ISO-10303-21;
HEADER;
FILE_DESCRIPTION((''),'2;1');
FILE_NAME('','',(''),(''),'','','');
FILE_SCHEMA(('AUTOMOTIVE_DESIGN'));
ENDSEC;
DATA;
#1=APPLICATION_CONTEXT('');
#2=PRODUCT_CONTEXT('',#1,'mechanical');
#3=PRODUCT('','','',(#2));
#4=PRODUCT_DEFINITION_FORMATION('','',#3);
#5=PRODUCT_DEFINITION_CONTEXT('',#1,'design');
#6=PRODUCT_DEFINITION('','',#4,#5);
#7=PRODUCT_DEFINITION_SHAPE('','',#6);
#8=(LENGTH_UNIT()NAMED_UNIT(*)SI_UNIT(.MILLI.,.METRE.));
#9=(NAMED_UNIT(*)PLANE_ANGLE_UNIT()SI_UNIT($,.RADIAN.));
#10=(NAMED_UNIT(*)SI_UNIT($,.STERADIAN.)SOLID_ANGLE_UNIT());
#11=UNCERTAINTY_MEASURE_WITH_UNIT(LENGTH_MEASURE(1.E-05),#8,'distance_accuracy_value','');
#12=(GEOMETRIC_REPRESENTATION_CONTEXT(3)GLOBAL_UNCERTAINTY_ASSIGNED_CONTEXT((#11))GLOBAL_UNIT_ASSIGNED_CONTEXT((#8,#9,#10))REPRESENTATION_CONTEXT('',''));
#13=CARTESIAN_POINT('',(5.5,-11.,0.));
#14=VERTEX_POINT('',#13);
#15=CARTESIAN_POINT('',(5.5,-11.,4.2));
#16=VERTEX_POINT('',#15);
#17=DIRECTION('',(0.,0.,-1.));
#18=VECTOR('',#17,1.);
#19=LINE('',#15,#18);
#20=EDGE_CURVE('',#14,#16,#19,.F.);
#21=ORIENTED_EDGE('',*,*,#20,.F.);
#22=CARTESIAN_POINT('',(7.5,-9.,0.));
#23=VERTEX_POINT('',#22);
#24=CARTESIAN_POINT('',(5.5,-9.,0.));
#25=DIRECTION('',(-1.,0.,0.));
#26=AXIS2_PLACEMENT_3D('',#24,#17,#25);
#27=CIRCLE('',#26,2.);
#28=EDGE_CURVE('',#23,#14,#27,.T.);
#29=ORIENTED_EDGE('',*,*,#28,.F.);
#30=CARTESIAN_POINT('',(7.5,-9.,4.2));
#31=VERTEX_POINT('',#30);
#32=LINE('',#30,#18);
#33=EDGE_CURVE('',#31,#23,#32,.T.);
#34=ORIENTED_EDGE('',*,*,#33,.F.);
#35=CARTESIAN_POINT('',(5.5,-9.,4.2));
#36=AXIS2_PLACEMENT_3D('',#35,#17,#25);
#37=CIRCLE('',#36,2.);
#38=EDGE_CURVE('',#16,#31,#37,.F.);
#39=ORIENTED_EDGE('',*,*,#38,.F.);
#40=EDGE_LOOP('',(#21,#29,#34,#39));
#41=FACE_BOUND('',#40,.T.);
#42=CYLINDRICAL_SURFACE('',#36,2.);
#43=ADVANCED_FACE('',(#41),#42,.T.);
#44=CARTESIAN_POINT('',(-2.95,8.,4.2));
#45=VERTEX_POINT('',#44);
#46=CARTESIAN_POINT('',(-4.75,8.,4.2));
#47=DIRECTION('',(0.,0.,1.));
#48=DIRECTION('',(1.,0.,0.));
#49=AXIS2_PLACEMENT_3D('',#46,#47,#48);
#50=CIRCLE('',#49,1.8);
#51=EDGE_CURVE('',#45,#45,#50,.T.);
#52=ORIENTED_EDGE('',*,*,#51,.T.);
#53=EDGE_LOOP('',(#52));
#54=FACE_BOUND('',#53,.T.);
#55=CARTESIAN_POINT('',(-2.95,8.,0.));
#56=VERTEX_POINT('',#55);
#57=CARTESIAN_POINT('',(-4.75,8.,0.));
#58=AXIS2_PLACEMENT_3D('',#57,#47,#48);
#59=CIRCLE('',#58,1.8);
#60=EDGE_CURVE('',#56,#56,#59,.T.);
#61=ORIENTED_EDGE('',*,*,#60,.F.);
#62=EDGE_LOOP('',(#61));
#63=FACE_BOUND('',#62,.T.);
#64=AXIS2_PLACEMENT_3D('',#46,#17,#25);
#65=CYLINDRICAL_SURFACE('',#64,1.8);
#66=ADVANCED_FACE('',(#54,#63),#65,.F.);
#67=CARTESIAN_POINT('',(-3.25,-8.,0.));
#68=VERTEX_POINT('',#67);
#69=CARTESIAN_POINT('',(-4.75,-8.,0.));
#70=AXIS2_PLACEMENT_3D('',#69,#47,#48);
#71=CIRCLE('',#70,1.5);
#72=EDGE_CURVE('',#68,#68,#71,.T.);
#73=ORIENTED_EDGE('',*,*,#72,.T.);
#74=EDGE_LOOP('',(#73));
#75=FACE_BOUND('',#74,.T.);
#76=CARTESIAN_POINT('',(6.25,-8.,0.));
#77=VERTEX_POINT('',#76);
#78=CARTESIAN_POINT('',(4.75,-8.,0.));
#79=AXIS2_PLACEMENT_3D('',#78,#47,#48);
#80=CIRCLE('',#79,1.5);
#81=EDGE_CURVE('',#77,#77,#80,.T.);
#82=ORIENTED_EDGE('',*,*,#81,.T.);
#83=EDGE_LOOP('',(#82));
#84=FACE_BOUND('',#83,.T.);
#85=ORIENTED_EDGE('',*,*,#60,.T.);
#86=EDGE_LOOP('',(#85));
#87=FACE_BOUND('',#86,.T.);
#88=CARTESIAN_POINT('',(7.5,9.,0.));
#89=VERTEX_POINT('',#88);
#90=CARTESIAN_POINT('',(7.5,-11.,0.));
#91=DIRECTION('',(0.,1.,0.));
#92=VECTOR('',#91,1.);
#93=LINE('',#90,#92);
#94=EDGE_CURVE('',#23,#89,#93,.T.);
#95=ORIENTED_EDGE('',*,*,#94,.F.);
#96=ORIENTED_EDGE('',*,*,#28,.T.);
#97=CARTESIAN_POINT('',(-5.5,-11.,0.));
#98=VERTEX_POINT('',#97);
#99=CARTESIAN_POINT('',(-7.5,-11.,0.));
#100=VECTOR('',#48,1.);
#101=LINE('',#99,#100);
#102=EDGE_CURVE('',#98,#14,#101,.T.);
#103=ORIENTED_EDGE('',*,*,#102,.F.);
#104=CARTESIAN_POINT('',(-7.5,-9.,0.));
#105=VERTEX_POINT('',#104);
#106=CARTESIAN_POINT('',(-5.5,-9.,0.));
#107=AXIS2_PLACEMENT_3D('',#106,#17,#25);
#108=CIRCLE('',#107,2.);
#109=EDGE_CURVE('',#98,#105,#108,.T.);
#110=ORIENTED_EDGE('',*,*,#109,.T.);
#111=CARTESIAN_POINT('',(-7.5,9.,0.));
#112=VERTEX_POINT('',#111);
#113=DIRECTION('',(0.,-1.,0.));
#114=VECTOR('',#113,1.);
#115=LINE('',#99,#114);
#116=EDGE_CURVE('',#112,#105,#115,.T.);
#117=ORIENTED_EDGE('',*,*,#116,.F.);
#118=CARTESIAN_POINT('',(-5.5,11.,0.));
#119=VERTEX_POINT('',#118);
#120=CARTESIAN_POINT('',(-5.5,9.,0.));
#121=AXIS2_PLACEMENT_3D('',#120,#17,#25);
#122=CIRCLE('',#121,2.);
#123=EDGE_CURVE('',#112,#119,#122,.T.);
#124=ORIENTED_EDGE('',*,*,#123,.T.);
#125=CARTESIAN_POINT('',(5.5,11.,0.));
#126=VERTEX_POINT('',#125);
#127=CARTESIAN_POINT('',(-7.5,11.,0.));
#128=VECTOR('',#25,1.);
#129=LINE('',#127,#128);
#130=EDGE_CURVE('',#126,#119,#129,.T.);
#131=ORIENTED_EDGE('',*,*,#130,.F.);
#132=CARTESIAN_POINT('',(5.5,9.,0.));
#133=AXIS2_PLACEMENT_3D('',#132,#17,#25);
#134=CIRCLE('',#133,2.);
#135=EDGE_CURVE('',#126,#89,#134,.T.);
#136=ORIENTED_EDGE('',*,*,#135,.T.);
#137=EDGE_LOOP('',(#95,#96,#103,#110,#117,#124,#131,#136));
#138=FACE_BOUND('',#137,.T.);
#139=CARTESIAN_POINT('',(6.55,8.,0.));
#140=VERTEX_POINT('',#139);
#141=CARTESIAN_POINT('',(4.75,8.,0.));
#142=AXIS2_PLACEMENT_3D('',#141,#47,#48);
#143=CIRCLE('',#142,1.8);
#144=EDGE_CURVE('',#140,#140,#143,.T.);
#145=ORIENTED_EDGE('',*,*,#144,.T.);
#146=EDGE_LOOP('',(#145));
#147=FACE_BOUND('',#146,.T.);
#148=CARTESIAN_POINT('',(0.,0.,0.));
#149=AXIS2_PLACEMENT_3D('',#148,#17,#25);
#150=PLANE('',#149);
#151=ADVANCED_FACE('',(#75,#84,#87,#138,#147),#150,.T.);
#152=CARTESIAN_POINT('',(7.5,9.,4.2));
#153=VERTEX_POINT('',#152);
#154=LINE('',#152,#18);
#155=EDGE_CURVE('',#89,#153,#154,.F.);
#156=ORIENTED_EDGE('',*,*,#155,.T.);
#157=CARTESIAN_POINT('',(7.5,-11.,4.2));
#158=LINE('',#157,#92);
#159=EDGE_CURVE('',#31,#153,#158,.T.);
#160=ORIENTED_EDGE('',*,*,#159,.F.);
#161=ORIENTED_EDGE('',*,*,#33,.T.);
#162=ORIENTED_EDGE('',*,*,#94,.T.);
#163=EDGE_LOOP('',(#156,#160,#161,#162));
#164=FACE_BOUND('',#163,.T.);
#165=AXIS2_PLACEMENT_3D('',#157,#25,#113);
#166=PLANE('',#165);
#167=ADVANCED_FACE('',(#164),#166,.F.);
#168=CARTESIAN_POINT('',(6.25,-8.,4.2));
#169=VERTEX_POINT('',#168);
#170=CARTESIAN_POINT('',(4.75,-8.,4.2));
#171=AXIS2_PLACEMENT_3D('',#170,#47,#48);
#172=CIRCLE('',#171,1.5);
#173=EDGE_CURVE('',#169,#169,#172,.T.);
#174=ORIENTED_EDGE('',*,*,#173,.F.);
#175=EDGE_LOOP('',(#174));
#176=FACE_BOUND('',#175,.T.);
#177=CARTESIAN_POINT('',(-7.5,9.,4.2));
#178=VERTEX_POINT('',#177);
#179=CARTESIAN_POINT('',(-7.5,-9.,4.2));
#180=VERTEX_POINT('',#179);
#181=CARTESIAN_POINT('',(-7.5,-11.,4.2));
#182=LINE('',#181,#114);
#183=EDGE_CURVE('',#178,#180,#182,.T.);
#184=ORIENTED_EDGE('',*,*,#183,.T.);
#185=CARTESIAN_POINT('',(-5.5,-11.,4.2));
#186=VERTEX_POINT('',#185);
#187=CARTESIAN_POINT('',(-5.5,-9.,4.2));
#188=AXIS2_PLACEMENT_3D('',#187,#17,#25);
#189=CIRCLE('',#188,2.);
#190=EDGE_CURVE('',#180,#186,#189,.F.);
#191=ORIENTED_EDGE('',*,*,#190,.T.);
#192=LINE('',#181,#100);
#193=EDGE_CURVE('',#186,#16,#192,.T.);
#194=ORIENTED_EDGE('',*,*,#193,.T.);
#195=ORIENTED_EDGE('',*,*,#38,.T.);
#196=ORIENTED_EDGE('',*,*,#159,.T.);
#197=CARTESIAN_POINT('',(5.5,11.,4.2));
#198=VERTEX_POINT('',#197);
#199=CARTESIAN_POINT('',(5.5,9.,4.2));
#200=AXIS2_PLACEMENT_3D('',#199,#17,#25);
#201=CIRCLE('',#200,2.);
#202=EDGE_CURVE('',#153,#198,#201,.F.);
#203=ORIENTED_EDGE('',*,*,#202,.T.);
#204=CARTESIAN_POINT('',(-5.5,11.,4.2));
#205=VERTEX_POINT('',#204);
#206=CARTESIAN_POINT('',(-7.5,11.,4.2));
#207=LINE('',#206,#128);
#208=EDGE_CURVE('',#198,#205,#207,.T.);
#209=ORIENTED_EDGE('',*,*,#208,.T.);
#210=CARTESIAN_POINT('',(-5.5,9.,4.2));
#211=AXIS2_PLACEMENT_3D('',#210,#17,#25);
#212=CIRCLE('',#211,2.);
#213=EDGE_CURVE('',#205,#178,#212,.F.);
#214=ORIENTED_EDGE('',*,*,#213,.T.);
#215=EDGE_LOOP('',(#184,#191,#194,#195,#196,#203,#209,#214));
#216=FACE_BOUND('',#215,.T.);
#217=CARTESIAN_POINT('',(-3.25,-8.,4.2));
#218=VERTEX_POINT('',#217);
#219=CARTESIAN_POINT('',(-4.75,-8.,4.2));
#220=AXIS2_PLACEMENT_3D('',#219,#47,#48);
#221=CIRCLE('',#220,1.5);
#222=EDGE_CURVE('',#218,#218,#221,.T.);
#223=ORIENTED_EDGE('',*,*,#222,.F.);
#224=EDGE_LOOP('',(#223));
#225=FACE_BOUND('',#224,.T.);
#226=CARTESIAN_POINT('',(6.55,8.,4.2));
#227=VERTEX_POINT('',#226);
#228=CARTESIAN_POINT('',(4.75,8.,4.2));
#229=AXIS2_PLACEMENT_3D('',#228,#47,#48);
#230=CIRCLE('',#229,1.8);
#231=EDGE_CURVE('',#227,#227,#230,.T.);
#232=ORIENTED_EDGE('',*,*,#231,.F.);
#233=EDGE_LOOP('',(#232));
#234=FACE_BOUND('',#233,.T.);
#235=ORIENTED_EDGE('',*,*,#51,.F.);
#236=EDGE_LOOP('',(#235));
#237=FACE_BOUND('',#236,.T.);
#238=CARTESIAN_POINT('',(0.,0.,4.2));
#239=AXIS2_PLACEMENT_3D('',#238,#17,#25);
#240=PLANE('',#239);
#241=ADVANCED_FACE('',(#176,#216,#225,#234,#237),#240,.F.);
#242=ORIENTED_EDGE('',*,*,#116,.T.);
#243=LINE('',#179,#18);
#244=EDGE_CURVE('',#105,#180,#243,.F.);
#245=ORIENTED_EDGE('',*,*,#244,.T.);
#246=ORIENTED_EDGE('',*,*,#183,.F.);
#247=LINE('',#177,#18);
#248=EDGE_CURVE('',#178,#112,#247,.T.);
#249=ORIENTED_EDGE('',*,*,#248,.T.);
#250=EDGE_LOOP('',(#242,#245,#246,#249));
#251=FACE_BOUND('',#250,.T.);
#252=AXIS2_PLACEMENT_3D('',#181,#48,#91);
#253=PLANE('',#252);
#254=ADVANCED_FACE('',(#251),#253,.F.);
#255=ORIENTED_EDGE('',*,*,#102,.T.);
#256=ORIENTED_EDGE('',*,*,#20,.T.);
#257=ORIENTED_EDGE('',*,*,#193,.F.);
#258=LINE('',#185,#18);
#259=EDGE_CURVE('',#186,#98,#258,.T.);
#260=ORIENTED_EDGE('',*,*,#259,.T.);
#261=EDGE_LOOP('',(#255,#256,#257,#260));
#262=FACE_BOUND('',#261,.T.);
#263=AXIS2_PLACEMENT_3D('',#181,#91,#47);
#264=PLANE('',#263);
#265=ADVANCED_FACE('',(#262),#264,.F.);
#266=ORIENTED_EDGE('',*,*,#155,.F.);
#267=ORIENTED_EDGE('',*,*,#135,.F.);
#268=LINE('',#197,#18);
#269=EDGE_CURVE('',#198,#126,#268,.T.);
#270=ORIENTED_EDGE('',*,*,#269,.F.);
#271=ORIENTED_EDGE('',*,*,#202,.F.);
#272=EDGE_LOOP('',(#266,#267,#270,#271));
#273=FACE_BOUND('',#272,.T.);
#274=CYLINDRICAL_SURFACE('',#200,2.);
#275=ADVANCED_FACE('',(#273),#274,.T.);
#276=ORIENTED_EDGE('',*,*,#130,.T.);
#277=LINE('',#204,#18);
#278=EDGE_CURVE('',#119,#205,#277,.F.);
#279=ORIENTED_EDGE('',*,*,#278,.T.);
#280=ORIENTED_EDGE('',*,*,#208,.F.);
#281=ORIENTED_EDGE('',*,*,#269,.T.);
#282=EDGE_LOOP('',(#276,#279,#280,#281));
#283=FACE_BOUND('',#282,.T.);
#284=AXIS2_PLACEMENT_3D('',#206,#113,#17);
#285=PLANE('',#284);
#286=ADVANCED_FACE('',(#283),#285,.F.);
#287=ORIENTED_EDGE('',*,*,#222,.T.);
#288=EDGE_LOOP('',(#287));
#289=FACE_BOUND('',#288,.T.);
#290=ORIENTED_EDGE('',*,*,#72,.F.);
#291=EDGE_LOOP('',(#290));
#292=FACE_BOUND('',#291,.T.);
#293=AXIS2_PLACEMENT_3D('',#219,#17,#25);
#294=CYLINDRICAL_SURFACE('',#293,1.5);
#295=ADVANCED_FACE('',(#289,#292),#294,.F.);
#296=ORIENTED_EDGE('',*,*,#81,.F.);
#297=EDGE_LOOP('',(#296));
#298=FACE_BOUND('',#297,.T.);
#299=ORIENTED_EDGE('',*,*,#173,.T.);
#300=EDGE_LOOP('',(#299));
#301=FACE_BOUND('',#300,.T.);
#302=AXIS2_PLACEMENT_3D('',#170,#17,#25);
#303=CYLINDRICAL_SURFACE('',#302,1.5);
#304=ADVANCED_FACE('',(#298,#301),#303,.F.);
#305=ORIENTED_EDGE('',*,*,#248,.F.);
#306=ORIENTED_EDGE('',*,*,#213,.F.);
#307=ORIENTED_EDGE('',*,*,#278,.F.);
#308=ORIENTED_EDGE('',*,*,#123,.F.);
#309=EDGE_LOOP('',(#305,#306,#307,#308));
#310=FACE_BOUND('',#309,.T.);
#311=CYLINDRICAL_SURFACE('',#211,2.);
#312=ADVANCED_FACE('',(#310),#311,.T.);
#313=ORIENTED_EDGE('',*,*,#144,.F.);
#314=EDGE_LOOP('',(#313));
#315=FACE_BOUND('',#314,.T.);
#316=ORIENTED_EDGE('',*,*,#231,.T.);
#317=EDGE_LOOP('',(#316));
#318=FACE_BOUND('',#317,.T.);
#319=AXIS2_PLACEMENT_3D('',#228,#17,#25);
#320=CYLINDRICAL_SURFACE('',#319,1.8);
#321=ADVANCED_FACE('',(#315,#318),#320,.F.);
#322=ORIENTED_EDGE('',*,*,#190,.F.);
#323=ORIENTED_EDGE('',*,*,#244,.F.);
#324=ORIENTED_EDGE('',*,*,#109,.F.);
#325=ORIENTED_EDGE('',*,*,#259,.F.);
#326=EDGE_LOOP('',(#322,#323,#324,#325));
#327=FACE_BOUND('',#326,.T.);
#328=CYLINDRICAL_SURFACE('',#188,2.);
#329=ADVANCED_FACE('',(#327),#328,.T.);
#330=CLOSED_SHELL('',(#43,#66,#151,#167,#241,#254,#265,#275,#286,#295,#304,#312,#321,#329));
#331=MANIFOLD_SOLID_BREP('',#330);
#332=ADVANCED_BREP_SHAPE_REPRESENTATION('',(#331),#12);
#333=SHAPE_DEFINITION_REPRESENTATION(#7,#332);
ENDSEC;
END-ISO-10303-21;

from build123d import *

# Parameters (mm, degrees)
SKETCH1_W           = 15
SKETCH1_H           = 22
SKETCH1_R           = 1.8
SKETCH1_R_2         = 1.5
BOSS_EXTRUDE1_DEPTH = 4.2
FILLET1_R           = 2


with BuildPart() as part:
    # Sketch1 → Boss-Extrude1 (new body)
    with BuildSketch(Plane.XY):
        Rectangle(SKETCH1_W, SKETCH1_H)
        with Locations((-4.75, 8)):
            Circle(SKETCH1_R, mode=Mode.SUBTRACT)
        with Locations((4.75, 8)):
            Circle(SKETCH1_R, mode=Mode.SUBTRACT)
        with Locations((-4.75, -8)):
            Circle(SKETCH1_R_2, mode=Mode.SUBTRACT)
        with Locations((4.75, -8)):
            Circle(SKETCH1_R_2, mode=Mode.SUBTRACT)
    extrude(amount=BOSS_EXTRUDE1_DEPTH)

    # Fillet1
    fillet1_edges = [part.edges().sort_by_distance(p)[0] for p in [
        (7.5, -11, 2.1),
        (-7.5, -11, 2.1),
        (-7.5, 11, 2.1),
        (7.5, 11, 2.1),
    ]]
    fillet(fillet1_edges, radius=FILLET1_R)


solid = part.part
